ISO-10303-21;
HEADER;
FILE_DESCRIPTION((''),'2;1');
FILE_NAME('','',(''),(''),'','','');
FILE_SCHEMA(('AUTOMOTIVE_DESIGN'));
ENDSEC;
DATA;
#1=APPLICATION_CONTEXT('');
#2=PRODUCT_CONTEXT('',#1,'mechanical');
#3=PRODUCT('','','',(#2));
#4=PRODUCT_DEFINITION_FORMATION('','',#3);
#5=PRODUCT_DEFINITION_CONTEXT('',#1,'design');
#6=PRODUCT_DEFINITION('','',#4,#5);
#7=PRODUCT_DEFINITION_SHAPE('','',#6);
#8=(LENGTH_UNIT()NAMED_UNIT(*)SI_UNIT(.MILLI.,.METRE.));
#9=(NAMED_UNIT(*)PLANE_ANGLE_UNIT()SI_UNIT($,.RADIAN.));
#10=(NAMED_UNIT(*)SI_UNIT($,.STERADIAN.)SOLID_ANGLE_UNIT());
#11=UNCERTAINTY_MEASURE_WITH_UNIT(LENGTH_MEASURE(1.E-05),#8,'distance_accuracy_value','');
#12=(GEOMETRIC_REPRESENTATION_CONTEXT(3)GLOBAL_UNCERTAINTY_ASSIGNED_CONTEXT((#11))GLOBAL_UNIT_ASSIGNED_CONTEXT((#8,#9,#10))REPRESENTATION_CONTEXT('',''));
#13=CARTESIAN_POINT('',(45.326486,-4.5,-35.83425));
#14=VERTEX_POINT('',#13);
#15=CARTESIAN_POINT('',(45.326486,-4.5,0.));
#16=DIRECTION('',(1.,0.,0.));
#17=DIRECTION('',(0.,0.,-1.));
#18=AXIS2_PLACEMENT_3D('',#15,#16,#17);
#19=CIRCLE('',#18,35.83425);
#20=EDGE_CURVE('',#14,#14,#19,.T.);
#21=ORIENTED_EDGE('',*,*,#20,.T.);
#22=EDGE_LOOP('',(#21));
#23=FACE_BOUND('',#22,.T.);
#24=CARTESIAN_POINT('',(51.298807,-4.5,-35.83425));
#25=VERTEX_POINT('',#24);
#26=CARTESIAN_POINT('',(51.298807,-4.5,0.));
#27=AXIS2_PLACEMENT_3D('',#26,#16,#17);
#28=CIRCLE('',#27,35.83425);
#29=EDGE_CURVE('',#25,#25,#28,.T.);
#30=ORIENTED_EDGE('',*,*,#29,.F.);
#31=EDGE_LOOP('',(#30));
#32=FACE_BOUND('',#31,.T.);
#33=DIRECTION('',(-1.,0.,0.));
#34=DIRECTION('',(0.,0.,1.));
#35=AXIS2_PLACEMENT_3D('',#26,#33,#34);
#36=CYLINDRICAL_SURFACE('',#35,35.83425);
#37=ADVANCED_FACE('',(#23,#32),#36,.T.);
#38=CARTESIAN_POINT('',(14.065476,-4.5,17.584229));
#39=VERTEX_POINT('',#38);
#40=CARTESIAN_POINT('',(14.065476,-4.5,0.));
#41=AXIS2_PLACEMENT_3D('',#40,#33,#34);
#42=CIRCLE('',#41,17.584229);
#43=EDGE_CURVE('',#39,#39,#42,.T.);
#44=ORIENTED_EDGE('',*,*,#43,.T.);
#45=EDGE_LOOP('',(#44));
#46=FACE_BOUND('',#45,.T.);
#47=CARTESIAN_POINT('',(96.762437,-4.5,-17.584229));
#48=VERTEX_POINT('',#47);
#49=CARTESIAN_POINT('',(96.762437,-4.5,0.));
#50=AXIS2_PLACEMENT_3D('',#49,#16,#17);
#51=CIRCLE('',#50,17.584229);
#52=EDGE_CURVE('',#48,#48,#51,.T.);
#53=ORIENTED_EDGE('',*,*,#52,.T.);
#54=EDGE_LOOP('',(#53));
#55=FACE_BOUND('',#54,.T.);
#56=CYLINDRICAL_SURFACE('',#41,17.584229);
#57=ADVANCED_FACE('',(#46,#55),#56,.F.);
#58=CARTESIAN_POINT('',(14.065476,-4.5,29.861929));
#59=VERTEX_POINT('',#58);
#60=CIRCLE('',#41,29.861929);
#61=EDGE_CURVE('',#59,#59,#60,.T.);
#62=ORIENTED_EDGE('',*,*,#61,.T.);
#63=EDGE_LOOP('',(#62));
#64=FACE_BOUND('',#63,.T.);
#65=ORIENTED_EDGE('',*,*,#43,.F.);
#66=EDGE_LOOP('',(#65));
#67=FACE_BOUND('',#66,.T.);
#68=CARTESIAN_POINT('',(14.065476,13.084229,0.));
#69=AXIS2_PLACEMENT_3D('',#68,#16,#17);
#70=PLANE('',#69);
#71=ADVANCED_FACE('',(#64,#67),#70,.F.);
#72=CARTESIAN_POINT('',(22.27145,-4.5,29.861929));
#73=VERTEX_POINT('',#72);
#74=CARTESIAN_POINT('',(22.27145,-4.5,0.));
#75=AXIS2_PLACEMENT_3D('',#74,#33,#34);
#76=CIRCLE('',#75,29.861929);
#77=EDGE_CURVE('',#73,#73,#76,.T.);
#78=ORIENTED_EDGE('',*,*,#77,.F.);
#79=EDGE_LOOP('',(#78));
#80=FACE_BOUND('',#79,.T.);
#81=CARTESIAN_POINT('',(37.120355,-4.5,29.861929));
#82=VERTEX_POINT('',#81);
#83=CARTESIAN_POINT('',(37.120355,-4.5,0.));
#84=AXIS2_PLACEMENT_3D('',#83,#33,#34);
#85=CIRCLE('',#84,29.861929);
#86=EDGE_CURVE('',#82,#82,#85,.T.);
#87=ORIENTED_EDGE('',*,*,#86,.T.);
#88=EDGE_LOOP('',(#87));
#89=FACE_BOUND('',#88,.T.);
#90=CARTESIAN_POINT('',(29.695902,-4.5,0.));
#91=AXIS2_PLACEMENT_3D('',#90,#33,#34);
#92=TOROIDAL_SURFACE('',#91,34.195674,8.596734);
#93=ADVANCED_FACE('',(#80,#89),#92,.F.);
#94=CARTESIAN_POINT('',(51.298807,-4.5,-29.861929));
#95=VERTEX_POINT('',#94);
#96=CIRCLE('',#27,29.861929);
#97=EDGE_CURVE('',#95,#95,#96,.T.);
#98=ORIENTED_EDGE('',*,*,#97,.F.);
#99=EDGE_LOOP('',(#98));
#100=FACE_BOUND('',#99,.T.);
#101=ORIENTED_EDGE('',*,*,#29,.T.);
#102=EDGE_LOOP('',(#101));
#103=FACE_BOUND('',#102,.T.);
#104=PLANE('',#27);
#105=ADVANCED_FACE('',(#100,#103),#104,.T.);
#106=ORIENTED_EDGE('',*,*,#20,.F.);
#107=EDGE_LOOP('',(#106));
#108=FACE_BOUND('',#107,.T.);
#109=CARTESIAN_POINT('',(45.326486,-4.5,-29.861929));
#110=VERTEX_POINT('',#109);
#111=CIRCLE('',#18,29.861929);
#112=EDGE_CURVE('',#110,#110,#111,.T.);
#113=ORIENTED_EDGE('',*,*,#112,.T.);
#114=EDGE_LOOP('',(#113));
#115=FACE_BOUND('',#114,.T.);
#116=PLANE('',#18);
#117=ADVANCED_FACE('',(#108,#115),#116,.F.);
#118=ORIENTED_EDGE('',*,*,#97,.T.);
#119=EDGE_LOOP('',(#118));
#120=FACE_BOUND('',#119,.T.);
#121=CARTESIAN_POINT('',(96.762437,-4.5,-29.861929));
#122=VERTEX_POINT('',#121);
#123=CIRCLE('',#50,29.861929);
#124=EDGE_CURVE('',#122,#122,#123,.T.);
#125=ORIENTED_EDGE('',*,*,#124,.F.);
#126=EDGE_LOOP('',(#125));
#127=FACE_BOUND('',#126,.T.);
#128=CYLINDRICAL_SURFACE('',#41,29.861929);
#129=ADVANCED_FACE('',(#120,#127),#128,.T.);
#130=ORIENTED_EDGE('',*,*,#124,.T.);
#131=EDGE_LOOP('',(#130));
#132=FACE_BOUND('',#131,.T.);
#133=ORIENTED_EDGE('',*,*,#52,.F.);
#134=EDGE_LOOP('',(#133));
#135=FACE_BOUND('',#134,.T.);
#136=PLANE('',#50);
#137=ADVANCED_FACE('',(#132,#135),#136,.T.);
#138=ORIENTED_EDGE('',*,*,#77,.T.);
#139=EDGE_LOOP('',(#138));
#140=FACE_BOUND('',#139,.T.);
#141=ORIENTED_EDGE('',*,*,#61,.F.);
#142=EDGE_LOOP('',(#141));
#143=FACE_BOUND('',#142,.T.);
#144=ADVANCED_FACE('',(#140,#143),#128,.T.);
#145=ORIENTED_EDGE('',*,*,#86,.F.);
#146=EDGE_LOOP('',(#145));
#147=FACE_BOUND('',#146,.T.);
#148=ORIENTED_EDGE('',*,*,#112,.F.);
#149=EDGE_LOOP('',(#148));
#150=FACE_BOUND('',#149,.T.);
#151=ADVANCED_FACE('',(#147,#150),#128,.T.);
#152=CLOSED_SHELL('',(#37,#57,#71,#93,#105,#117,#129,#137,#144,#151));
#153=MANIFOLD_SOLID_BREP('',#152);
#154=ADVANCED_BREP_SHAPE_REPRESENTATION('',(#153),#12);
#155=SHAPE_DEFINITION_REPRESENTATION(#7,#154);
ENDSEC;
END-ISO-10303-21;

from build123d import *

# Parameters (mm, degrees)
SCALE1_SCALE        = 6
SKETCH4_R           = 45.852
BOSS_EXTRUDE1_DEPTH = 12.7
SKETCH5_R           = 27
CUT_EXTRUDE1_DEPTH  = 84.317043923
SCALE2_SCALE        = 3.323882225
SKETCH7_R           = 152.406647765
SKETCH7_R_2         = 89.744820066
BOSS_EXTRUDE2_DEPTH = 33.99
SCALE3_SCALE        = 0.416652997
BOSS_EXTRUDE3_START = -31.75
SKETCH8_R           = 76.200686546
BOSS_EXTRUDE3_DEPTH = 12.7
SKETCH9_R           = 63.500686546
SKETCH9_R_2         = 37.392448241
BOSS_EXTRUDE4_DEPTH = 19.05
SKETCH10_R          = 37.392448241
CUT_EXTRUDE2_DEPTH  = 137.337641642
SCALE4_SCALE        = 0.70539227
SKETCH11_R          = 44.792893449
SKETCH11_R_2        = 26.376343957
BOSS_EXTRUDE5_DEPTH = 41.32
SCALE5_SCALE        = 0.666666667


with BuildPart() as part:
    # Sketch1 → Revolve1 (revolve)
    with BuildSketch(Plane.XY, mode=Mode.PRIVATE) as revolve1_sk:
        with BuildLine():
            Line((0, 0), (4, 0))
            Line((4, 0), (4, 3.142))
            Line((4, 3.142), (1.9, 3.142))
            ThreePointArc((1.9, 3.142), (0, 2.051053651), (-1.9, 3.142))
            Line((-1.9, 3.142), (-4, 3.142))
            Line((-4, 3.142), (-4, 0))
            Line((-4, 0), (0, 0))
        make_face()
    revolve(revolve1_sk.sketch.rotate(Axis((-4, -4.5, 0), (1, 0, 0)), 90), axis=Axis((-4, -4.5, 0), (1, 0, 0)))


with BuildPart() as part_1:
    # Scale1: scaled about (0, -4.5, 0)
    add(part.part.scale(SCALE1_SCALE).moved(Location((0, 22.5, 0))))

    # Sketch4 → Boss-Extrude1 (add)
    with BuildSketch(Plane(origin=(24, 0, 0), x_dir=(0, 0, -1), z_dir=(1, 0, 0))):
        with Locations(Location((0, -4.5, 0), (0, 0, 180))):
            Circle(SKETCH4_R)
    extrude(amount=BOSS_EXTRUDE1_DEPTH)

    # Sketch5 → Cut-Extrude1 (cut, through all)
    with BuildSketch(Plane.ZY.offset(-24)):
        with Locations((0, -4.5)):
            Circle(SKETCH5_R)
    extrude(amount=-CUT_EXTRUDE1_DEPTH, mode=Mode.SUBTRACT)


with BuildPart() as part_2:
    # Scale2: scaled about (7.131190873, -4.5, 0)
    add(part_1.part.scale(SCALE2_SCALE).moved(Location((-16.57204771, 10.457470011, 0))))

    # Sketch7 → Boss-Extrude2 (add)
    with BuildSketch(Plane(origin=(105.414429934, 0, 0), x_dir=(0, 0, -1), z_dir=(1, 0, 0))):
        with Locations(Location((0, -4.5, 0), (0, 0, 180))):
            Circle(SKETCH7_R)
        with Locations(Location((0, -4.5, 0), (0, 0, 180))):
            Circle(SKETCH7_R_2, mode=Mode.SUBTRACT)
    extrude(amount=BOSS_EXTRUDE2_DEPTH)


with BuildPart() as part_3:
    # Scale3: scaled about (25.471225568, -4.5, 0)
    add(part_2.part.scale(SCALE3_SCALE).moved(Location((14.858563099, -2.625061514, 0))))

    # Sketch8 → Boss-Extrude3 (add)
    with BuildSketch(Plane(origin=(72.941836619, 0, 0), x_dir=(0, 0, -1), z_dir=(1, 0, 0)).offset(BOSS_EXTRUDE3_START)):
        with Locations((0, -4.5)):
            Circle(SKETCH8_R)
    extrude(amount=BOSS_EXTRUDE3_DEPTH)

    # Sketch9 → Boss-Extrude4 (add)
    with BuildSketch(Plane(origin=(72.941836619, 0, 0), x_dir=(0, 0, -1), z_dir=(1, 0, 0))):
        with Locations(Location((0, -4.5, 0), (0, 0, 180))):
            Circle(SKETCH9_R)
        with Locations(Location((0, -4.5, 0), (0, 0, 180))):
            Circle(SKETCH9_R_2, mode=Mode.SUBTRACT)
    extrude(amount=BOSS_EXTRUDE4_DEPTH)

    # Sketch10 → Cut-Extrude2 (cut, through all)
    with BuildSketch(Plane(origin=(53.891836619, 0, 0), x_dir=(0, 0, -1), z_dir=(1, 0, 0))):
        with Locations(Location((0, -4.5, 0), (0, 0, 180))):
            Circle(SKETCH10_R)
    extrude(amount=-CUT_EXTRUDE2_DEPTH, mode=Mode.SUBTRACT)


with BuildPart() as part_4:
    # Scale4: scaled about (36.400291081, -4.5, 0)
    add(part_3.part.scale(SCALE4_SCALE).moved(Location((10.723807116, -1.325734784, 0))))

    # Sketch11 → Boss-Extrude5 (add)
    with BuildSketch(Plane(origin=(75.614137598, 0, 0), x_dir=(0, 0, -1), z_dir=(1, 0, 0))):
        with Locations(Location((0, -4.5, 0), (0, 0, 180))):
            Circle(SKETCH11_R)
        with Locations(Location((0, -4.5, 0), (0, 0, 180))):
            Circle(SKETCH11_R_2, mode=Mode.SUBTRACT)
    extrude(amount=BOSS_EXTRUDE5_DEPTH)


with BuildPart() as part_5:
    # Scale5: scaled about (56.419036868, -4.5, 0)
    add(part_4.part.scale(SCALE5_SCALE).moved(Location((18.806345623, -1.5, 0))))


solid = part_5.part
